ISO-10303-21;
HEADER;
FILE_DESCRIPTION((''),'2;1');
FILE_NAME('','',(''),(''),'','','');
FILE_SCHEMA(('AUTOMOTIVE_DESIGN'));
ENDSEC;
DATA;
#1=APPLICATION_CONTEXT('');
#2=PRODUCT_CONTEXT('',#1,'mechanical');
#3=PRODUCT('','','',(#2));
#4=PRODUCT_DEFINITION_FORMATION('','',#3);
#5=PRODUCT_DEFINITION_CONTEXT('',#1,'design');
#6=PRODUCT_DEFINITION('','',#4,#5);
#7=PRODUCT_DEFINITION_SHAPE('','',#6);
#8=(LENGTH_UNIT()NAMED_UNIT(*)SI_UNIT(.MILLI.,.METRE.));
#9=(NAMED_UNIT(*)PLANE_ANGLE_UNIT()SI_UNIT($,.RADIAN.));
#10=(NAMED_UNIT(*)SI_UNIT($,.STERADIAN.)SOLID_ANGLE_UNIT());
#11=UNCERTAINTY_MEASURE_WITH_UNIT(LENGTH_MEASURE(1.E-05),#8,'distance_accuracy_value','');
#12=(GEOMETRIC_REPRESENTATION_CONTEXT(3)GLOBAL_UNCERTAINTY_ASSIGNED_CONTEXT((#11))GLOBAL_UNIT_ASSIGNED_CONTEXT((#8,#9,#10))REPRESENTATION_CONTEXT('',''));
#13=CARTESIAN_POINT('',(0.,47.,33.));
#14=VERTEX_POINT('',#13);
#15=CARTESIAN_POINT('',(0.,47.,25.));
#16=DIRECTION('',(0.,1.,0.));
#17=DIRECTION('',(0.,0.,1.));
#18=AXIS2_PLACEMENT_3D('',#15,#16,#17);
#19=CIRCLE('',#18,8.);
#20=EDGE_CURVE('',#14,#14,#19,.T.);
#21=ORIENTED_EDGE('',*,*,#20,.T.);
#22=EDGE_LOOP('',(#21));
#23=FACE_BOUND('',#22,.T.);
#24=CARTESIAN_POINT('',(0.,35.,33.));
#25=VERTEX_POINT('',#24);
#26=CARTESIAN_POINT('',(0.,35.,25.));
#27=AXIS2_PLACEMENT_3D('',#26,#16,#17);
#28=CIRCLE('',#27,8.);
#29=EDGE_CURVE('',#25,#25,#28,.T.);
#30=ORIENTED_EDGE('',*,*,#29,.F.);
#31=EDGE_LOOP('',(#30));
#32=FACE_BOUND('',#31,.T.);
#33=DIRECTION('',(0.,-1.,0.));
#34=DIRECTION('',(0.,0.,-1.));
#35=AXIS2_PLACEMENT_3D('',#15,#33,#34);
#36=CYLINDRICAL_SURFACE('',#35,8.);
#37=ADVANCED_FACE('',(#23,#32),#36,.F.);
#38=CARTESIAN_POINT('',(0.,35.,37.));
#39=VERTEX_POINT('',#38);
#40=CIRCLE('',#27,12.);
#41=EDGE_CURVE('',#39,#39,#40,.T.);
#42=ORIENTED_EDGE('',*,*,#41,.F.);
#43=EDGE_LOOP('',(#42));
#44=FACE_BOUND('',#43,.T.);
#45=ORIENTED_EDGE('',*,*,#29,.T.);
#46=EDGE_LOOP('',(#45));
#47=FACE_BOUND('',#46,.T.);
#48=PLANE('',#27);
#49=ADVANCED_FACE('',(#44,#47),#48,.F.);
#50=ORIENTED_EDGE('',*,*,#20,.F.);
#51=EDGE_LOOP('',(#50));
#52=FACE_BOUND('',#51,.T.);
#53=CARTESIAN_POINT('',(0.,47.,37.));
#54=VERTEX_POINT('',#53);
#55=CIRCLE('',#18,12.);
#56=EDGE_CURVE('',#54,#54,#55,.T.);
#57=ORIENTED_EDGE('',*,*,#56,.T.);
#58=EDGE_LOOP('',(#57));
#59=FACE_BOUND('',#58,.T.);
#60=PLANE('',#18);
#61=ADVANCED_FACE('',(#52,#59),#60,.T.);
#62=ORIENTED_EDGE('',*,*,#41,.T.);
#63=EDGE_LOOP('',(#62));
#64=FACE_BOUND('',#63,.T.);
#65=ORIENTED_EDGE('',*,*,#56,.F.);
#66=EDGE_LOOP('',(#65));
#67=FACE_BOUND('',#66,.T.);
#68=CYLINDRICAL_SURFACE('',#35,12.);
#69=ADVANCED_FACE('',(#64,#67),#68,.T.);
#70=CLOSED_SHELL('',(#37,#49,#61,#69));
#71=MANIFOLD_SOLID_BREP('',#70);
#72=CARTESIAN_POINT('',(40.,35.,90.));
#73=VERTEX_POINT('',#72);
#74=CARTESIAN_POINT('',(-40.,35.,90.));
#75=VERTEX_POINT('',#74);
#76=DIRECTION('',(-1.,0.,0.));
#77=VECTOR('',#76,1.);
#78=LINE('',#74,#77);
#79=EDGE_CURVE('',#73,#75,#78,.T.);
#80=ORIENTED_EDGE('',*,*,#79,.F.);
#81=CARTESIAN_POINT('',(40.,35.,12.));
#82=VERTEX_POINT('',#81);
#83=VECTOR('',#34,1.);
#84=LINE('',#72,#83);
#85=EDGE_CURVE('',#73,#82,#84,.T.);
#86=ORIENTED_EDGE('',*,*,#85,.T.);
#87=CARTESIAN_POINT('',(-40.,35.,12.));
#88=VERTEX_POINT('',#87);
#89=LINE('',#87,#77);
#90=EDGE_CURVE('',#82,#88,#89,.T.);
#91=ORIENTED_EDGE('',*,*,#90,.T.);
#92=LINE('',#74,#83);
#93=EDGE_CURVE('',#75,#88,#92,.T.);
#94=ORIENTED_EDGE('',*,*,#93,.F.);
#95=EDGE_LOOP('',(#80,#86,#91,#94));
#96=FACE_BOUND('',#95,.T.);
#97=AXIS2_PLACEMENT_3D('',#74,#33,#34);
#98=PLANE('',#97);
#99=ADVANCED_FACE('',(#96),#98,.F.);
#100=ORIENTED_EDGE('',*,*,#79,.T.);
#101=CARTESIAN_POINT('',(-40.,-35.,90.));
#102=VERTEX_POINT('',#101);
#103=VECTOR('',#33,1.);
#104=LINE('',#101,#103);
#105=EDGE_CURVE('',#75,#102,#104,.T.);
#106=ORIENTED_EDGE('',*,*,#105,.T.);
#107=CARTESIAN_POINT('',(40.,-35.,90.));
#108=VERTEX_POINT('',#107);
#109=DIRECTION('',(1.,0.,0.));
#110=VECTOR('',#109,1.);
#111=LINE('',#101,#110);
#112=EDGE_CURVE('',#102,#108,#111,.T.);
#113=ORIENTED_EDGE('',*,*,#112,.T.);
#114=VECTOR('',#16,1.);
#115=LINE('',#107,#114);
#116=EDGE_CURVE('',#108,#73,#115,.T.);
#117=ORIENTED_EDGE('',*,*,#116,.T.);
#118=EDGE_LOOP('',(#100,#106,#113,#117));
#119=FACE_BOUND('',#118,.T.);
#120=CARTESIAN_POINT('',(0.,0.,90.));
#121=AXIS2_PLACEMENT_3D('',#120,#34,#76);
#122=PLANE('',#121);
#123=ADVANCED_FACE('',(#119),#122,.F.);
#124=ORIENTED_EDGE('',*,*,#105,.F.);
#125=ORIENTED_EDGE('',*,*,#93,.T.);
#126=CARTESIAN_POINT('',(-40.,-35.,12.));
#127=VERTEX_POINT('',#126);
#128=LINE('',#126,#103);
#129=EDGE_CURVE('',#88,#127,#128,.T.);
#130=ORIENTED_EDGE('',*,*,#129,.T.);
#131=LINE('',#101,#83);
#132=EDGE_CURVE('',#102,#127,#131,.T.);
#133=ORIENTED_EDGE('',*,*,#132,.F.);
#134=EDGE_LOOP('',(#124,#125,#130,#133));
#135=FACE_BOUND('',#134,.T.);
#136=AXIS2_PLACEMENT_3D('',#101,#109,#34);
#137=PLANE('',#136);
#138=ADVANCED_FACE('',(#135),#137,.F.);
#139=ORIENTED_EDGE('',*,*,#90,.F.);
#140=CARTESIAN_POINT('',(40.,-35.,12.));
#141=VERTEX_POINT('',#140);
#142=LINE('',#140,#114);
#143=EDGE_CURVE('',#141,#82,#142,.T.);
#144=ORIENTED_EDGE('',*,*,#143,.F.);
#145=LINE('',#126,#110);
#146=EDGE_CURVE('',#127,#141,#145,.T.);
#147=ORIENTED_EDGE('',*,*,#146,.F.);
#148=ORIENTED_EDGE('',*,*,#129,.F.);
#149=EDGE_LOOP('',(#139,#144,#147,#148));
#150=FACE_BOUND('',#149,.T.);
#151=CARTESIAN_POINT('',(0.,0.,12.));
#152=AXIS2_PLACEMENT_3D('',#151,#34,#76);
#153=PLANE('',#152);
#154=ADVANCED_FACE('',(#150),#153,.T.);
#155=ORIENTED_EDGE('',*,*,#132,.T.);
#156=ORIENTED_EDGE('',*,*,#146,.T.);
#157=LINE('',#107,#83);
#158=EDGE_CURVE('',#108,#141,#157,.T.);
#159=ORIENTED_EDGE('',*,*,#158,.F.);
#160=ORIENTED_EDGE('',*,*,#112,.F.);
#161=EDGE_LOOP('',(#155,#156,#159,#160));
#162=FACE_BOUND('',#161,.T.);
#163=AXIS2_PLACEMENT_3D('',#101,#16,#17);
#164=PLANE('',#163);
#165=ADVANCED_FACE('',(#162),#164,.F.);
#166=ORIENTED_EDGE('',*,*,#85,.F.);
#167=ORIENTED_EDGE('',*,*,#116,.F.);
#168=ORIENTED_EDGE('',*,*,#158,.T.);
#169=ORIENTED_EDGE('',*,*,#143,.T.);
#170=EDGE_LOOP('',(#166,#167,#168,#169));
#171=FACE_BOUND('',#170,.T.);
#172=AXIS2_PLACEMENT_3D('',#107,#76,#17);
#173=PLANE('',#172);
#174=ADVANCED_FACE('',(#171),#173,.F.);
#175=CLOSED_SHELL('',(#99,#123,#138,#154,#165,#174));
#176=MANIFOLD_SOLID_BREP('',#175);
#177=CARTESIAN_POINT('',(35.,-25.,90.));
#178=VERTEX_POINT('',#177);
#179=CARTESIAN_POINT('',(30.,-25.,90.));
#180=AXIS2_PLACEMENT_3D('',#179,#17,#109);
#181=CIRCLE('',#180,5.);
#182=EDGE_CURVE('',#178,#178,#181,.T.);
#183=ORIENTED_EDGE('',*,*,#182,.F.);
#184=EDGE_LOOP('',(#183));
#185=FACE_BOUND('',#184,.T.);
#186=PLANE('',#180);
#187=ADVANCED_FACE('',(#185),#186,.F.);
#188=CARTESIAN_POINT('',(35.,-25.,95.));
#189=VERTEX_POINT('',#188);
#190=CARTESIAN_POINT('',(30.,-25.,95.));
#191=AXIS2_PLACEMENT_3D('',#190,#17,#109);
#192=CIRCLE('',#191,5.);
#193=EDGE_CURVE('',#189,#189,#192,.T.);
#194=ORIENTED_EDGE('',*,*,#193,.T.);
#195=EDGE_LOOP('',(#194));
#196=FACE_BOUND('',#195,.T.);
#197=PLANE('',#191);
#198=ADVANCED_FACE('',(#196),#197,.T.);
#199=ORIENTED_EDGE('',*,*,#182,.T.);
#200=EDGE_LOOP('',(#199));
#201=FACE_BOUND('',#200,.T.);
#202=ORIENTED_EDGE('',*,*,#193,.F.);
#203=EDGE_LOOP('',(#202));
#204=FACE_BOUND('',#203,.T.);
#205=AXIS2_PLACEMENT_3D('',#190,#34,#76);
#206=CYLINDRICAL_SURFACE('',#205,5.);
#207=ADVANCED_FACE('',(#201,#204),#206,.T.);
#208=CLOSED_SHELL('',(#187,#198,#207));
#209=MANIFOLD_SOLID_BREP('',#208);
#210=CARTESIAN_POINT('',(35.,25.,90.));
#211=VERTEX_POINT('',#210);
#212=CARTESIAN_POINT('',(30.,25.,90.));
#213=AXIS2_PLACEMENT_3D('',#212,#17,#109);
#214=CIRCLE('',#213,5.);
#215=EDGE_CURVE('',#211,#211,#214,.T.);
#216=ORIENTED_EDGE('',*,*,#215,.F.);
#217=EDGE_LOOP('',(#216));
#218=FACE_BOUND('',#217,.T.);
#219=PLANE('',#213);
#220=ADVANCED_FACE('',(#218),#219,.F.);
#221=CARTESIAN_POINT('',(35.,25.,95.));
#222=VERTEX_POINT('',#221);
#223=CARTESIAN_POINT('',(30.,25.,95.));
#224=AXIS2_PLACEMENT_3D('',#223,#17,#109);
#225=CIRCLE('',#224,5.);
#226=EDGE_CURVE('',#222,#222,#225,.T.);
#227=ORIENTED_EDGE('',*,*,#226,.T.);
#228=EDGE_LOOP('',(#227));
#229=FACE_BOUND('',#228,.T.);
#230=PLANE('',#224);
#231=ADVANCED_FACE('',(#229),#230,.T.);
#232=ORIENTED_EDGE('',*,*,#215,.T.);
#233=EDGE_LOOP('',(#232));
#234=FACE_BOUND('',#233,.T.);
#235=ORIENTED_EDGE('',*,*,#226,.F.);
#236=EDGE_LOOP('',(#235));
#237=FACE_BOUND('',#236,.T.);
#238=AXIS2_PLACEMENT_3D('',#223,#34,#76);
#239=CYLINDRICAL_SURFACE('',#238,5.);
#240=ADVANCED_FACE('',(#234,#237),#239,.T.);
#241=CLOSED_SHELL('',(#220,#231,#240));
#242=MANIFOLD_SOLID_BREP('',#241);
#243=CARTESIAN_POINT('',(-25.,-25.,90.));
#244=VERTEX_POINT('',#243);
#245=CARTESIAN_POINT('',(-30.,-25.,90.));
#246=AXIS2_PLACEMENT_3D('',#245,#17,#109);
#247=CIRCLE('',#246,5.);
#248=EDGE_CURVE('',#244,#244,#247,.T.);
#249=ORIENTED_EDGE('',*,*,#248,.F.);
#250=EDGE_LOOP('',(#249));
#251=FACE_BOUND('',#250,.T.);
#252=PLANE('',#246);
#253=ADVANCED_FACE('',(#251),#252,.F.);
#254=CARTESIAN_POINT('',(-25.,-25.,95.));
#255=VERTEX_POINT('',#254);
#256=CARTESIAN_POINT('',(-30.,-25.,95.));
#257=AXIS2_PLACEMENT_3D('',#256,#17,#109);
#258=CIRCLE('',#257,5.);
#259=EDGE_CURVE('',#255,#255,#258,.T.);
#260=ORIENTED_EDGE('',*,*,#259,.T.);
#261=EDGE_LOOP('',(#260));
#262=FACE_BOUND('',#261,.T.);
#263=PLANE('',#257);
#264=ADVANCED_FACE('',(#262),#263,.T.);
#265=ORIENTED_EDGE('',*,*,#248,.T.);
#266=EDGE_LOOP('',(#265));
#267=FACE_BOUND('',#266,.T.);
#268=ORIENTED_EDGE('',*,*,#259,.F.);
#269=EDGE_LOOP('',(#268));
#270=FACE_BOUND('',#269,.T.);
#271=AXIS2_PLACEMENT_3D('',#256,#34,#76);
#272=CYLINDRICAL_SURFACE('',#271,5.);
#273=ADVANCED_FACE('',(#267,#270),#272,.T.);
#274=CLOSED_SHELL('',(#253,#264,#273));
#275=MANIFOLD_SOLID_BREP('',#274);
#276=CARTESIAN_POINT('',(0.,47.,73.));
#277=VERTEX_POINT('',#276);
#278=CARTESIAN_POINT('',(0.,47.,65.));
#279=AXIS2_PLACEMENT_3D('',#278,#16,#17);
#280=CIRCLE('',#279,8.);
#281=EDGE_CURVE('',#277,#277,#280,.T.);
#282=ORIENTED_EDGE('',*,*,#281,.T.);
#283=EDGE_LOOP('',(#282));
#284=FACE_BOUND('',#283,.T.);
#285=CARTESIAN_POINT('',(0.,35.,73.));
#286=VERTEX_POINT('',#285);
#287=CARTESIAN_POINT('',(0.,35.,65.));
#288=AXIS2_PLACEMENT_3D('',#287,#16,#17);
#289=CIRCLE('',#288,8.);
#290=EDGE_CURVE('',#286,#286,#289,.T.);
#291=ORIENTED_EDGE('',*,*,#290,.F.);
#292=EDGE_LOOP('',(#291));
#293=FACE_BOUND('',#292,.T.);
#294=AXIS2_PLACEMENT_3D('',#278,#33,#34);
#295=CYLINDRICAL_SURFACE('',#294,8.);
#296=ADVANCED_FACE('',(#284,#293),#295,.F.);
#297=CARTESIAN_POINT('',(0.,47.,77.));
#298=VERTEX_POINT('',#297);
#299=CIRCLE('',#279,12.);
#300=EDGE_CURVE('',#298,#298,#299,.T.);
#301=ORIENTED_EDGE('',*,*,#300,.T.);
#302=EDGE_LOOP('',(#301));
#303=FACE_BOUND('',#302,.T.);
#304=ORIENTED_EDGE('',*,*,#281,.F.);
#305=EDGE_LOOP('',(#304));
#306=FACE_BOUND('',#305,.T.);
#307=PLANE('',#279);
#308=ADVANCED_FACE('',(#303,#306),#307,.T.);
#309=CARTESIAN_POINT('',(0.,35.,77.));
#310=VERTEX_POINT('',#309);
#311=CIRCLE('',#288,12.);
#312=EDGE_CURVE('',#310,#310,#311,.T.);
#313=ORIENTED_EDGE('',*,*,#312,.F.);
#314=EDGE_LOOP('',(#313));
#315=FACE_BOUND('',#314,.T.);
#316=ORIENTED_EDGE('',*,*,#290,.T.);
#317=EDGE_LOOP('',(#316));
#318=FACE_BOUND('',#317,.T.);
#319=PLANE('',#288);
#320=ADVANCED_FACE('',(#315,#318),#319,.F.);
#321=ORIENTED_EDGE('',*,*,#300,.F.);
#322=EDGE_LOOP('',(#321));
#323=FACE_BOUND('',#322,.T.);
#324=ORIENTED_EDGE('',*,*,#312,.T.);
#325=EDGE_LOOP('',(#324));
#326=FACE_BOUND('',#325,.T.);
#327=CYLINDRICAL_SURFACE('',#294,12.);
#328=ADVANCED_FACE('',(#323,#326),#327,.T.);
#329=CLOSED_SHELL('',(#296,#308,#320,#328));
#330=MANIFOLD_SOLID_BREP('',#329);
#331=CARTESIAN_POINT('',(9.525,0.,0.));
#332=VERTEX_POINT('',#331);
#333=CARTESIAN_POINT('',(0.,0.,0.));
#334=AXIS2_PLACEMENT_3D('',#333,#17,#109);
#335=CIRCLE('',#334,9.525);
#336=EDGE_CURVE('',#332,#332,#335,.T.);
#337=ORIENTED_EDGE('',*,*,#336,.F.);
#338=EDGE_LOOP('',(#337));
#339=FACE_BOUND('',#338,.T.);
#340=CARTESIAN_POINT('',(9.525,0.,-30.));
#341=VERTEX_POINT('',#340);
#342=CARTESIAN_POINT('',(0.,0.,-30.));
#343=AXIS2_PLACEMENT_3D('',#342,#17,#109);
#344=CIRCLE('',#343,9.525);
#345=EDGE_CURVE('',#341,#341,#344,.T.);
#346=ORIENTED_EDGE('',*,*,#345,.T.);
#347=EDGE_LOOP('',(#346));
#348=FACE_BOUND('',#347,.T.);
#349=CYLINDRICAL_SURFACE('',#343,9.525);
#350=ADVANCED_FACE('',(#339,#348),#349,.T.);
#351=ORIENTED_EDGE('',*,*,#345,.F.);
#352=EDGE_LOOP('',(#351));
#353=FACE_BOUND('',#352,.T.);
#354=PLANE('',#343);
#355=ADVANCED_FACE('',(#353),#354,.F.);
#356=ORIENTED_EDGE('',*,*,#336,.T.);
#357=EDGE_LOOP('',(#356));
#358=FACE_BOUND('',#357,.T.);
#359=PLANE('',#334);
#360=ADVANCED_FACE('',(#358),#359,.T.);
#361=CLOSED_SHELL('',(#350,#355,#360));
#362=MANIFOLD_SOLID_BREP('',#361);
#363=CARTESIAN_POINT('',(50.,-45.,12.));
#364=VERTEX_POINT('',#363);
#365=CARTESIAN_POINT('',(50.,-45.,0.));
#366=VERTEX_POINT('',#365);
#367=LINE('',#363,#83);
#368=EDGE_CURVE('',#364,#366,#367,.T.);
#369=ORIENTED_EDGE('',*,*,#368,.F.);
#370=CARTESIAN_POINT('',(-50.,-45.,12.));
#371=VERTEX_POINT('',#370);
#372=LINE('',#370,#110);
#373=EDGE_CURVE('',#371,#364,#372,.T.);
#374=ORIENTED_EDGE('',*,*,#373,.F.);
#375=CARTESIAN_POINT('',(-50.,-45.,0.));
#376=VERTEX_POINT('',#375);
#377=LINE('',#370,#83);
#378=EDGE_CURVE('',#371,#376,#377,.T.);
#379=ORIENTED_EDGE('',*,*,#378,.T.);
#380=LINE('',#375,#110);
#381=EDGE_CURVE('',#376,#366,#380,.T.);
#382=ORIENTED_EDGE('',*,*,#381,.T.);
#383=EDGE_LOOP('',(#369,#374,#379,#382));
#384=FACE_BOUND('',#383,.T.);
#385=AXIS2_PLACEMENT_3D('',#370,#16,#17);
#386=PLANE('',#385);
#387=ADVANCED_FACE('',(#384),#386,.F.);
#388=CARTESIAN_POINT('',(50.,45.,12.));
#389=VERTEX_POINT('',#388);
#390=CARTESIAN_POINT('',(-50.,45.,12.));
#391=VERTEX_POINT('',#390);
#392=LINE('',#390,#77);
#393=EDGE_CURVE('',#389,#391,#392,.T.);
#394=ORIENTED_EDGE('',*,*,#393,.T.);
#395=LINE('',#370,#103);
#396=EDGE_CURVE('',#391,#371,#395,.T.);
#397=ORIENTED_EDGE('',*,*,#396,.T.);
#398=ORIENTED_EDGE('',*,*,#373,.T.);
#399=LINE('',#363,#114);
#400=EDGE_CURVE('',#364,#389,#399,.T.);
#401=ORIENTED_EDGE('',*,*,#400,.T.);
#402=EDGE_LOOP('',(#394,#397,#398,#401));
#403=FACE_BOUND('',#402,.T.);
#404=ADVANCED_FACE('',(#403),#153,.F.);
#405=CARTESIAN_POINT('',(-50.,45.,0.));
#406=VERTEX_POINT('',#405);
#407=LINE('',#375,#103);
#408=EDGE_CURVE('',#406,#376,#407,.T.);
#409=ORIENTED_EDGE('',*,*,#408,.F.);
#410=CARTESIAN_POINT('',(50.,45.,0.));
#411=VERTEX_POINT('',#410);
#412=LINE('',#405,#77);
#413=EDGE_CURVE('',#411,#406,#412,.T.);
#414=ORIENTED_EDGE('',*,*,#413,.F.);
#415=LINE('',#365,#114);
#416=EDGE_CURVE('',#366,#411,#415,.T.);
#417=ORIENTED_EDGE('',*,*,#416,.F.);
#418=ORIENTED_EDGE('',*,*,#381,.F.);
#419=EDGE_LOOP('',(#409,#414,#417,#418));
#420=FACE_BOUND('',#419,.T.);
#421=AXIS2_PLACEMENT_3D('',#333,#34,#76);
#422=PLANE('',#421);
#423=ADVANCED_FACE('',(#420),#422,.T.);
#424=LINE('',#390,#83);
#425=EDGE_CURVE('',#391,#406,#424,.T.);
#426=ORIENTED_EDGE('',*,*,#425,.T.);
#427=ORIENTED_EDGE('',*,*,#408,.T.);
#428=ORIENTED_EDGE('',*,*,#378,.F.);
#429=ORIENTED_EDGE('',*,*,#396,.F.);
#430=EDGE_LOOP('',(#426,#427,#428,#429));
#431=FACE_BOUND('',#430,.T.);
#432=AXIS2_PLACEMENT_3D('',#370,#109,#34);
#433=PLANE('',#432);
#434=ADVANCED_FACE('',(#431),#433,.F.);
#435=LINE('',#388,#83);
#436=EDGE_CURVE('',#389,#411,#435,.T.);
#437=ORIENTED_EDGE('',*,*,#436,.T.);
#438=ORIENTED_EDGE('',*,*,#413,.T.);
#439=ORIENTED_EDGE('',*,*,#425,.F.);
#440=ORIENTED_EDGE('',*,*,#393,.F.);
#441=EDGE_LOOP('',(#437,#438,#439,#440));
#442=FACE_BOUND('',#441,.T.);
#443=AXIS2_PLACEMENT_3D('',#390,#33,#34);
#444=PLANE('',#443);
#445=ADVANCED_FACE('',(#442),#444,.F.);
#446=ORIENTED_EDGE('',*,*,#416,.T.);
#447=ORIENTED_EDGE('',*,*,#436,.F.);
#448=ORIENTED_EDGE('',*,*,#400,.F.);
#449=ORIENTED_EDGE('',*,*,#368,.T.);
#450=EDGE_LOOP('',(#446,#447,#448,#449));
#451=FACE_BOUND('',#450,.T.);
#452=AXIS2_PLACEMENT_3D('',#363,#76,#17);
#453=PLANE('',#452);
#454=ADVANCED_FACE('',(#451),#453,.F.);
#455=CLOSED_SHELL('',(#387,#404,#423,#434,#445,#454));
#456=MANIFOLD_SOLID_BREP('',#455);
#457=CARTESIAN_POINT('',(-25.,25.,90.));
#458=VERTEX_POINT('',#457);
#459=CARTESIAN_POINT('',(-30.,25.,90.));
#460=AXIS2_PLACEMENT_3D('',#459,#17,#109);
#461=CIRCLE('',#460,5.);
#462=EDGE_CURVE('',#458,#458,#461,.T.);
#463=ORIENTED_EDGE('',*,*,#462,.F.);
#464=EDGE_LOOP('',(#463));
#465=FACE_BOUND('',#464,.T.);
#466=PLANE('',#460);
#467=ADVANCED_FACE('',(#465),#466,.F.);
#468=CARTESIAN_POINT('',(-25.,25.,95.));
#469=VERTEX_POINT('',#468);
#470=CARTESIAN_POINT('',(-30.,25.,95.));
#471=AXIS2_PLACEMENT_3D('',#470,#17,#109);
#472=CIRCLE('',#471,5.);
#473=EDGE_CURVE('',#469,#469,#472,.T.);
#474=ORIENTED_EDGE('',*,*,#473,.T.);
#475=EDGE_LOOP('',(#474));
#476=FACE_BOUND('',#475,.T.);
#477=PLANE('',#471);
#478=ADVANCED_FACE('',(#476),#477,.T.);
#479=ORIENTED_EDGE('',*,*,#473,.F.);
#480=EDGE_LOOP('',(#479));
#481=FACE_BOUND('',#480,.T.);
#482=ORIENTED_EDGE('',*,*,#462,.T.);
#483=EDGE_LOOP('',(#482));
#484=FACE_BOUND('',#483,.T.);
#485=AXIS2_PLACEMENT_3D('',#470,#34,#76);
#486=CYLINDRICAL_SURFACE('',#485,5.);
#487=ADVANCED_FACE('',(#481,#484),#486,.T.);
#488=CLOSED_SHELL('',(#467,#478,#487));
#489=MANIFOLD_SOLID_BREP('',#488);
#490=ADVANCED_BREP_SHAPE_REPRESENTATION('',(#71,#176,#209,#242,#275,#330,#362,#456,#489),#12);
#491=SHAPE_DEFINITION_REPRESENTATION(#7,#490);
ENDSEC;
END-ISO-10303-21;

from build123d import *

# Parameters (mm, degrees)
HOUSING_80X70X78_ASSUMED_START            = 12
SKETCH1_W                                 = 80
SKETCH1_H                                 = 70
HOUSING_80X70X78_ASSUMED_DEPTH            = 78
SKETCH2_W                                 = 100
SKETCH2_H                                 = 90
FLANGE_100X90_ASSUMED_DEPTH               = 12
SKETCH3_R                                 = 9.525
SHAFT_D19P05_LISTING_LENGTH_ASSUMED_DEPTH = 30
FASTENER_ENVELOPE_ASSUMED_START           = 90
SKETCH4_R                                 = 5
FASTENER_ENVELOPE_ASSUMED_DEPTH           = 5
BOSS_EXTRUDE5_START                       = 90
SKETCH5_R                                 = 5
BOSS_EXTRUDE5_DEPTH                       = 5
BOSS_EXTRUDE6_START                       = 90
SKETCH6_R                                 = 5
BOSS_EXTRUDE6_DEPTH                       = 5
BOSS_EXTRUDE7_START                       = 90
SKETCH7_R                                 = 5
BOSS_EXTRUDE7_DEPTH                       = 5
INLET_3_8NPT_PORT_LOCATION_ASSUMED_START  = 35
SKETCH8_R                                 = 12
SKETCH8_R_2                               = 8
INLET_3_8NPT_PORT_LOCATION_ASSUMED_DEPTH  = 12
OUTLET_3_8NPT_PORT_LOCATION_ASSUMED_START = 35
SKETCH9_R                                 = 12
SKETCH9_R_2                               = 8
OUTLET_3_8NPT_PORT_LOCATION_ASSUMED_DEPTH = 12


with BuildPart() as part:
    # Sketch1 → Housing_80x70x78_ASSUMED (new body)
    with BuildSketch(Plane.XY.offset(HOUSING_80X70X78_ASSUMED_START)):
        Rectangle(SKETCH1_W, SKETCH1_H)
    extrude(amount=HOUSING_80X70X78_ASSUMED_DEPTH)


with BuildPart() as body_2:
    # Sketch2 → Flange_100x90_ASSUMED (new body)
    with BuildSketch(Plane.XY):
        Rectangle(SKETCH2_W, SKETCH2_H)
    extrude(amount=FLANGE_100X90_ASSUMED_DEPTH)


with BuildPart() as body_3:
    # Sketch3 → Shaft_D19p05_listing_length_ASSUMED (new body)
    with BuildSketch(Plane.XY):
        Circle(SKETCH3_R)
    extrude(amount=-SHAFT_D19P05_LISTING_LENGTH_ASSUMED_DEPTH)


with BuildPart() as body_4:
    # Sketch4 → Fastener_envelope_ASSUMED (new body)
    with BuildSketch(Plane.XY.offset(FASTENER_ENVELOPE_ASSUMED_START)):
        with Locations((-30, -25)):
            Circle(SKETCH4_R)
    extrude(amount=FASTENER_ENVELOPE_ASSUMED_DEPTH)


with BuildPart() as body_5:
    # Sketch5 → Boss-Extrude5 (new body)
    with BuildSketch(Plane.XY.offset(BOSS_EXTRUDE5_START)):
        with Locations((-30, 25)):
            Circle(SKETCH5_R)
    extrude(amount=BOSS_EXTRUDE5_DEPTH)


with BuildPart() as body_6:
    # Sketch6 → Boss-Extrude6 (new body)
    with BuildSketch(Plane.XY.offset(BOSS_EXTRUDE6_START)):
        with Locations((30, -25)):
            Circle(SKETCH6_R)
    extrude(amount=BOSS_EXTRUDE6_DEPTH)


with BuildPart() as body_7:
    # Sketch7 → Boss-Extrude7 (new body)
    with BuildSketch(Plane.XY.offset(BOSS_EXTRUDE7_START)):
        with Locations((30, 25)):
            Circle(SKETCH7_R)
    extrude(amount=BOSS_EXTRUDE7_DEPTH)


with BuildPart() as body_8:
    # Sketch8 → Inlet_3_8NPT_port_location_ASSUMED (new body)
    with BuildSketch(Plane(origin=(0, 0, 0), x_dir=(1, 0, 0), z_dir=(0, 1, 0)).offset(INLET_3_8NPT_PORT_LOCATION_ASSUMED_START)):
        with Locations(Location((0, -25, 0), (0, 0, 270))):
            Circle(SKETCH8_R)
        with Locations(Location((0, -25, 0), (0, 0, 270))):
            Circle(SKETCH8_R_2, mode=Mode.SUBTRACT)
    extrude(amount=INLET_3_8NPT_PORT_LOCATION_ASSUMED_DEPTH)


with BuildPart() as body_9:
    # Sketch9 → Outlet_3_8NPT_port_location_ASSUMED (new body)
    with BuildSketch(Plane(origin=(0, 0, 0), x_dir=(1, 0, 0), z_dir=(0, 1, 0)).offset(OUTLET_3_8NPT_PORT_LOCATION_ASSUMED_START)):
        with Locations(Location((0, -65, 0), (0, 0, 270))):
            Circle(SKETCH9_R)
        with Locations(Location((0, -65, 0), (0, 0, 270))):
            Circle(SKETCH9_R_2, mode=Mode.SUBTRACT)
    extrude(amount=OUTLET_3_8NPT_PORT_LOCATION_ASSUMED_DEPTH)


solid = Compound([part.part, body_2.part, body_3.part, body_4.part, body_5.part, body_6.part, body_7.part, body_8.part, body_9.part])
